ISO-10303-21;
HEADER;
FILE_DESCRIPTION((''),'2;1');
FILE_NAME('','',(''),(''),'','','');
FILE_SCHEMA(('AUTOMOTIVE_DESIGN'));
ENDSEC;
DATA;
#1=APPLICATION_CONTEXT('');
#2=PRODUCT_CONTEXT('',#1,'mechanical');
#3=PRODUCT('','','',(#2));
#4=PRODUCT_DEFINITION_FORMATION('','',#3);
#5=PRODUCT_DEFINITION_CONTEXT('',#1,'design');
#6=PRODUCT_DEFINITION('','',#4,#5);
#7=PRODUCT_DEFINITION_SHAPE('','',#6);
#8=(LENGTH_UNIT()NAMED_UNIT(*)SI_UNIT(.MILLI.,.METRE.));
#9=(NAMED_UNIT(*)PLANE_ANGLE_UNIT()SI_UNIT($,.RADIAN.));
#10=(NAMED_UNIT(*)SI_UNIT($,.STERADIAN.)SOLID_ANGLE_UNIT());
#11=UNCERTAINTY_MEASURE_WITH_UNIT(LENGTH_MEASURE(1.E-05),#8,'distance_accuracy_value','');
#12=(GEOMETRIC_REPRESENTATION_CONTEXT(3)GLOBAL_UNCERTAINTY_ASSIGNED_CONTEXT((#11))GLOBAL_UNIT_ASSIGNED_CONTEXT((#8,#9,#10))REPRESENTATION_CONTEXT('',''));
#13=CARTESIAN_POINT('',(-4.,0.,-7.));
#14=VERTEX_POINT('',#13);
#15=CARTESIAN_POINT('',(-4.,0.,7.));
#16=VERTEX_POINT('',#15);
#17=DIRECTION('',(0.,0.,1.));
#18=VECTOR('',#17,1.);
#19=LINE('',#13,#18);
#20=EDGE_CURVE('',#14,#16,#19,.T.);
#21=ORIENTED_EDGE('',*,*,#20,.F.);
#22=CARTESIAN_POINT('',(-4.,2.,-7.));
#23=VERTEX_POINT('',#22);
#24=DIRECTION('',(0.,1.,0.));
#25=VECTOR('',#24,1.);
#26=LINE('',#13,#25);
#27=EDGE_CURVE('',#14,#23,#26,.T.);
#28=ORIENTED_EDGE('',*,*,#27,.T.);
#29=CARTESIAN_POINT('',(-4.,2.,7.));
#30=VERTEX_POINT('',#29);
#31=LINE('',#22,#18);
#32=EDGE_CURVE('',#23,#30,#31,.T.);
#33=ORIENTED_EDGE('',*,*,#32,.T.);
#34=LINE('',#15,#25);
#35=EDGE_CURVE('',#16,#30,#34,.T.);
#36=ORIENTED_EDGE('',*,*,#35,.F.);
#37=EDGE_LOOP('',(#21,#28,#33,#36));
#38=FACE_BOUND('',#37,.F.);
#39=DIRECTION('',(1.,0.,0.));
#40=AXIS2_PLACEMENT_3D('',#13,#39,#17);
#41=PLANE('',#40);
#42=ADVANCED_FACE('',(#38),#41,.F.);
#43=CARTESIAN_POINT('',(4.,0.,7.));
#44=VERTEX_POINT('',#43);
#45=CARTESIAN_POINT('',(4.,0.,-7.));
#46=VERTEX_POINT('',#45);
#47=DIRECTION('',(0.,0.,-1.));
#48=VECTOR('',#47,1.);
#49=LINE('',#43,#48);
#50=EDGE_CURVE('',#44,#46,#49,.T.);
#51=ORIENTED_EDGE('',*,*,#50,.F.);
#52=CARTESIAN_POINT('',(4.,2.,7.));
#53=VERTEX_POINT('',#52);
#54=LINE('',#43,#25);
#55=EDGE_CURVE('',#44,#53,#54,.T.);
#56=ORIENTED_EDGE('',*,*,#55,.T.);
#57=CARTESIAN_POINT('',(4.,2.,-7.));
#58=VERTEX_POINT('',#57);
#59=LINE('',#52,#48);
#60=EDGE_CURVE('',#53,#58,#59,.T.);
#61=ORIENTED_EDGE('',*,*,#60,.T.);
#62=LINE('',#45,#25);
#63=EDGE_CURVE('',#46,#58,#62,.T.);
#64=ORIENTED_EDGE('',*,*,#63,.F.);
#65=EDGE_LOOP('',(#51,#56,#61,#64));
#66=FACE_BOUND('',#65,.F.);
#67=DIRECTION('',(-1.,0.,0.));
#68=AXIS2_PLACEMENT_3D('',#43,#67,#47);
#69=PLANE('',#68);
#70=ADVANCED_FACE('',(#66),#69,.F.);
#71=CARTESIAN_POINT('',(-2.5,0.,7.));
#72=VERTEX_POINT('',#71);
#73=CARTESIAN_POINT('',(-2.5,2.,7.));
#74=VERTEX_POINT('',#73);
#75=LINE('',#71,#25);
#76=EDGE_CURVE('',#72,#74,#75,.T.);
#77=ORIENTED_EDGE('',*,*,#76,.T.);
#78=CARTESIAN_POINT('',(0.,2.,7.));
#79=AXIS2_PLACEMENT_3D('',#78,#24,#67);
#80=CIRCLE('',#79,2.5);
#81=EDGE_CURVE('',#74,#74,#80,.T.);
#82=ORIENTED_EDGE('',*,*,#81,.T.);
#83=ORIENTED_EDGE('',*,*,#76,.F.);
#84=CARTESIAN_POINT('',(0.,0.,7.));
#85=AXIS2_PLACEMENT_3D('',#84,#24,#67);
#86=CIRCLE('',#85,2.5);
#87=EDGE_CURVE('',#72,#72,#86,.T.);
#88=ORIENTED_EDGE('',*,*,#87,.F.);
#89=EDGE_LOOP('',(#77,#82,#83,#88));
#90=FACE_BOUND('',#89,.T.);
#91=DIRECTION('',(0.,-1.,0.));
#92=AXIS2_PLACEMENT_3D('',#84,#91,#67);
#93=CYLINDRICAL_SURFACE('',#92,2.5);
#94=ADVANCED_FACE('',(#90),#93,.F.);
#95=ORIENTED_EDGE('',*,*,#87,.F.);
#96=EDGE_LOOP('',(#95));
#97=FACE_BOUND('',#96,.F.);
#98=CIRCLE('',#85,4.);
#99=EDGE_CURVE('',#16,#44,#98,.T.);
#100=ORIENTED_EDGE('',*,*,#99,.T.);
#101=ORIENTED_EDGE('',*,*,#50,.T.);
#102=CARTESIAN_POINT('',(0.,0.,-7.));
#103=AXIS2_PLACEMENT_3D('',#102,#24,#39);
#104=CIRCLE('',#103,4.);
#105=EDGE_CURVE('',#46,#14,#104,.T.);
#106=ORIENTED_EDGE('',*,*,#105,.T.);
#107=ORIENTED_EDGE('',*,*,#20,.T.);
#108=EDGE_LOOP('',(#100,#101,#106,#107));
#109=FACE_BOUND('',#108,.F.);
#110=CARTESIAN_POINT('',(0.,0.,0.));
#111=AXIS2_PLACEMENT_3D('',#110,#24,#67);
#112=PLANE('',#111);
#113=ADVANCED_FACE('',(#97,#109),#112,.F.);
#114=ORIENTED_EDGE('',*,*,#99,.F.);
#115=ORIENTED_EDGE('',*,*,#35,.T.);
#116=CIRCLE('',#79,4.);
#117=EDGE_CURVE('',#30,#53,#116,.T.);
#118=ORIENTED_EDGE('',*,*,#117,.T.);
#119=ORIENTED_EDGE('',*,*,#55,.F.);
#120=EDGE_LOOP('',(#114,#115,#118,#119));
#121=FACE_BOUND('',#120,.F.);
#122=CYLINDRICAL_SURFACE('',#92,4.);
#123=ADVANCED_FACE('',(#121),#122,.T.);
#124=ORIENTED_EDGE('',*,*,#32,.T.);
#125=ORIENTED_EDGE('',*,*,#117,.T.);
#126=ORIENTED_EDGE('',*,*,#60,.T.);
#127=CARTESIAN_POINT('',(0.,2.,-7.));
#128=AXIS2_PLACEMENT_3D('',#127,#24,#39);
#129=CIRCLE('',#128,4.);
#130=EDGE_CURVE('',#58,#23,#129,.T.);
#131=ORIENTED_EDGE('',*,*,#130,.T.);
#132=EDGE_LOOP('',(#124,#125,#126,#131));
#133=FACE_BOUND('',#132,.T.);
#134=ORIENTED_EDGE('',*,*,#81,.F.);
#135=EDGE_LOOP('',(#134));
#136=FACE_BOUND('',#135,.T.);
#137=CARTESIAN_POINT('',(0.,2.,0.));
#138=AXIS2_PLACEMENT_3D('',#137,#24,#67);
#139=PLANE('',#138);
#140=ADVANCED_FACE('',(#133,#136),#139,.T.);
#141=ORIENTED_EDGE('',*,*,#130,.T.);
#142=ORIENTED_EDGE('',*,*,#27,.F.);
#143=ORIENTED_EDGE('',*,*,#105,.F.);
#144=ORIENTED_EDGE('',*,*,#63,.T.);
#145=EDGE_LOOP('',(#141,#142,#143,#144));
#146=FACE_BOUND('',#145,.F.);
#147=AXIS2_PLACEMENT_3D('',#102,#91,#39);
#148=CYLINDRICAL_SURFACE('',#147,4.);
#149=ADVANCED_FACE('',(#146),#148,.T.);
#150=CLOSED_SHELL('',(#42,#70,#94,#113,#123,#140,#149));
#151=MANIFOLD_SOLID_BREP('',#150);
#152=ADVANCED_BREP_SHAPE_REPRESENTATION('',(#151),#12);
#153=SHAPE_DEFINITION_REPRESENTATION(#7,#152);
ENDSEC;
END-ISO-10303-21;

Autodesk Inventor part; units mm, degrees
ref_plane "YZ Plane" through (0, 0, 0) normal (1, 0, 0) x (0, 1, 0)
ref_plane "XZ Plane" through (0, 0, 0) normal (0, 1, 0) x (-1, 0, 0)
ref_plane "XY Plane" through (0, 0, 0) normal (0, 0, 1) x (1, 0, 0)
sketch "Sketch1" plane through (0, 0, 0) normal (0, 1, 0) x (-1, 0, 0)
  line L0 (0, 7) -> (0, -7) construction
  line L1 (-4, 7) -> (-4, -7)
  line L2 (4, -7) -> (4, 7)
  arc A0 (4, 7) -> (-4, 7) centre (0, 7) ccw
  arc A1 (-4, -7) -> (4, -7) centre (0, -7) ccw
  circle A2 centre (0, 7) radius 2.5
  point P0 (0, 0)
  point P1 (0, 0)
  point P2 (0, -11)
  dimension "d0" = 8
  dimension "d1" = 18
  dimension "d2" = 5
extrude "Extrusion1" add sketch "Sketch1" along normal blind 2
properties part number "servo-arm"
